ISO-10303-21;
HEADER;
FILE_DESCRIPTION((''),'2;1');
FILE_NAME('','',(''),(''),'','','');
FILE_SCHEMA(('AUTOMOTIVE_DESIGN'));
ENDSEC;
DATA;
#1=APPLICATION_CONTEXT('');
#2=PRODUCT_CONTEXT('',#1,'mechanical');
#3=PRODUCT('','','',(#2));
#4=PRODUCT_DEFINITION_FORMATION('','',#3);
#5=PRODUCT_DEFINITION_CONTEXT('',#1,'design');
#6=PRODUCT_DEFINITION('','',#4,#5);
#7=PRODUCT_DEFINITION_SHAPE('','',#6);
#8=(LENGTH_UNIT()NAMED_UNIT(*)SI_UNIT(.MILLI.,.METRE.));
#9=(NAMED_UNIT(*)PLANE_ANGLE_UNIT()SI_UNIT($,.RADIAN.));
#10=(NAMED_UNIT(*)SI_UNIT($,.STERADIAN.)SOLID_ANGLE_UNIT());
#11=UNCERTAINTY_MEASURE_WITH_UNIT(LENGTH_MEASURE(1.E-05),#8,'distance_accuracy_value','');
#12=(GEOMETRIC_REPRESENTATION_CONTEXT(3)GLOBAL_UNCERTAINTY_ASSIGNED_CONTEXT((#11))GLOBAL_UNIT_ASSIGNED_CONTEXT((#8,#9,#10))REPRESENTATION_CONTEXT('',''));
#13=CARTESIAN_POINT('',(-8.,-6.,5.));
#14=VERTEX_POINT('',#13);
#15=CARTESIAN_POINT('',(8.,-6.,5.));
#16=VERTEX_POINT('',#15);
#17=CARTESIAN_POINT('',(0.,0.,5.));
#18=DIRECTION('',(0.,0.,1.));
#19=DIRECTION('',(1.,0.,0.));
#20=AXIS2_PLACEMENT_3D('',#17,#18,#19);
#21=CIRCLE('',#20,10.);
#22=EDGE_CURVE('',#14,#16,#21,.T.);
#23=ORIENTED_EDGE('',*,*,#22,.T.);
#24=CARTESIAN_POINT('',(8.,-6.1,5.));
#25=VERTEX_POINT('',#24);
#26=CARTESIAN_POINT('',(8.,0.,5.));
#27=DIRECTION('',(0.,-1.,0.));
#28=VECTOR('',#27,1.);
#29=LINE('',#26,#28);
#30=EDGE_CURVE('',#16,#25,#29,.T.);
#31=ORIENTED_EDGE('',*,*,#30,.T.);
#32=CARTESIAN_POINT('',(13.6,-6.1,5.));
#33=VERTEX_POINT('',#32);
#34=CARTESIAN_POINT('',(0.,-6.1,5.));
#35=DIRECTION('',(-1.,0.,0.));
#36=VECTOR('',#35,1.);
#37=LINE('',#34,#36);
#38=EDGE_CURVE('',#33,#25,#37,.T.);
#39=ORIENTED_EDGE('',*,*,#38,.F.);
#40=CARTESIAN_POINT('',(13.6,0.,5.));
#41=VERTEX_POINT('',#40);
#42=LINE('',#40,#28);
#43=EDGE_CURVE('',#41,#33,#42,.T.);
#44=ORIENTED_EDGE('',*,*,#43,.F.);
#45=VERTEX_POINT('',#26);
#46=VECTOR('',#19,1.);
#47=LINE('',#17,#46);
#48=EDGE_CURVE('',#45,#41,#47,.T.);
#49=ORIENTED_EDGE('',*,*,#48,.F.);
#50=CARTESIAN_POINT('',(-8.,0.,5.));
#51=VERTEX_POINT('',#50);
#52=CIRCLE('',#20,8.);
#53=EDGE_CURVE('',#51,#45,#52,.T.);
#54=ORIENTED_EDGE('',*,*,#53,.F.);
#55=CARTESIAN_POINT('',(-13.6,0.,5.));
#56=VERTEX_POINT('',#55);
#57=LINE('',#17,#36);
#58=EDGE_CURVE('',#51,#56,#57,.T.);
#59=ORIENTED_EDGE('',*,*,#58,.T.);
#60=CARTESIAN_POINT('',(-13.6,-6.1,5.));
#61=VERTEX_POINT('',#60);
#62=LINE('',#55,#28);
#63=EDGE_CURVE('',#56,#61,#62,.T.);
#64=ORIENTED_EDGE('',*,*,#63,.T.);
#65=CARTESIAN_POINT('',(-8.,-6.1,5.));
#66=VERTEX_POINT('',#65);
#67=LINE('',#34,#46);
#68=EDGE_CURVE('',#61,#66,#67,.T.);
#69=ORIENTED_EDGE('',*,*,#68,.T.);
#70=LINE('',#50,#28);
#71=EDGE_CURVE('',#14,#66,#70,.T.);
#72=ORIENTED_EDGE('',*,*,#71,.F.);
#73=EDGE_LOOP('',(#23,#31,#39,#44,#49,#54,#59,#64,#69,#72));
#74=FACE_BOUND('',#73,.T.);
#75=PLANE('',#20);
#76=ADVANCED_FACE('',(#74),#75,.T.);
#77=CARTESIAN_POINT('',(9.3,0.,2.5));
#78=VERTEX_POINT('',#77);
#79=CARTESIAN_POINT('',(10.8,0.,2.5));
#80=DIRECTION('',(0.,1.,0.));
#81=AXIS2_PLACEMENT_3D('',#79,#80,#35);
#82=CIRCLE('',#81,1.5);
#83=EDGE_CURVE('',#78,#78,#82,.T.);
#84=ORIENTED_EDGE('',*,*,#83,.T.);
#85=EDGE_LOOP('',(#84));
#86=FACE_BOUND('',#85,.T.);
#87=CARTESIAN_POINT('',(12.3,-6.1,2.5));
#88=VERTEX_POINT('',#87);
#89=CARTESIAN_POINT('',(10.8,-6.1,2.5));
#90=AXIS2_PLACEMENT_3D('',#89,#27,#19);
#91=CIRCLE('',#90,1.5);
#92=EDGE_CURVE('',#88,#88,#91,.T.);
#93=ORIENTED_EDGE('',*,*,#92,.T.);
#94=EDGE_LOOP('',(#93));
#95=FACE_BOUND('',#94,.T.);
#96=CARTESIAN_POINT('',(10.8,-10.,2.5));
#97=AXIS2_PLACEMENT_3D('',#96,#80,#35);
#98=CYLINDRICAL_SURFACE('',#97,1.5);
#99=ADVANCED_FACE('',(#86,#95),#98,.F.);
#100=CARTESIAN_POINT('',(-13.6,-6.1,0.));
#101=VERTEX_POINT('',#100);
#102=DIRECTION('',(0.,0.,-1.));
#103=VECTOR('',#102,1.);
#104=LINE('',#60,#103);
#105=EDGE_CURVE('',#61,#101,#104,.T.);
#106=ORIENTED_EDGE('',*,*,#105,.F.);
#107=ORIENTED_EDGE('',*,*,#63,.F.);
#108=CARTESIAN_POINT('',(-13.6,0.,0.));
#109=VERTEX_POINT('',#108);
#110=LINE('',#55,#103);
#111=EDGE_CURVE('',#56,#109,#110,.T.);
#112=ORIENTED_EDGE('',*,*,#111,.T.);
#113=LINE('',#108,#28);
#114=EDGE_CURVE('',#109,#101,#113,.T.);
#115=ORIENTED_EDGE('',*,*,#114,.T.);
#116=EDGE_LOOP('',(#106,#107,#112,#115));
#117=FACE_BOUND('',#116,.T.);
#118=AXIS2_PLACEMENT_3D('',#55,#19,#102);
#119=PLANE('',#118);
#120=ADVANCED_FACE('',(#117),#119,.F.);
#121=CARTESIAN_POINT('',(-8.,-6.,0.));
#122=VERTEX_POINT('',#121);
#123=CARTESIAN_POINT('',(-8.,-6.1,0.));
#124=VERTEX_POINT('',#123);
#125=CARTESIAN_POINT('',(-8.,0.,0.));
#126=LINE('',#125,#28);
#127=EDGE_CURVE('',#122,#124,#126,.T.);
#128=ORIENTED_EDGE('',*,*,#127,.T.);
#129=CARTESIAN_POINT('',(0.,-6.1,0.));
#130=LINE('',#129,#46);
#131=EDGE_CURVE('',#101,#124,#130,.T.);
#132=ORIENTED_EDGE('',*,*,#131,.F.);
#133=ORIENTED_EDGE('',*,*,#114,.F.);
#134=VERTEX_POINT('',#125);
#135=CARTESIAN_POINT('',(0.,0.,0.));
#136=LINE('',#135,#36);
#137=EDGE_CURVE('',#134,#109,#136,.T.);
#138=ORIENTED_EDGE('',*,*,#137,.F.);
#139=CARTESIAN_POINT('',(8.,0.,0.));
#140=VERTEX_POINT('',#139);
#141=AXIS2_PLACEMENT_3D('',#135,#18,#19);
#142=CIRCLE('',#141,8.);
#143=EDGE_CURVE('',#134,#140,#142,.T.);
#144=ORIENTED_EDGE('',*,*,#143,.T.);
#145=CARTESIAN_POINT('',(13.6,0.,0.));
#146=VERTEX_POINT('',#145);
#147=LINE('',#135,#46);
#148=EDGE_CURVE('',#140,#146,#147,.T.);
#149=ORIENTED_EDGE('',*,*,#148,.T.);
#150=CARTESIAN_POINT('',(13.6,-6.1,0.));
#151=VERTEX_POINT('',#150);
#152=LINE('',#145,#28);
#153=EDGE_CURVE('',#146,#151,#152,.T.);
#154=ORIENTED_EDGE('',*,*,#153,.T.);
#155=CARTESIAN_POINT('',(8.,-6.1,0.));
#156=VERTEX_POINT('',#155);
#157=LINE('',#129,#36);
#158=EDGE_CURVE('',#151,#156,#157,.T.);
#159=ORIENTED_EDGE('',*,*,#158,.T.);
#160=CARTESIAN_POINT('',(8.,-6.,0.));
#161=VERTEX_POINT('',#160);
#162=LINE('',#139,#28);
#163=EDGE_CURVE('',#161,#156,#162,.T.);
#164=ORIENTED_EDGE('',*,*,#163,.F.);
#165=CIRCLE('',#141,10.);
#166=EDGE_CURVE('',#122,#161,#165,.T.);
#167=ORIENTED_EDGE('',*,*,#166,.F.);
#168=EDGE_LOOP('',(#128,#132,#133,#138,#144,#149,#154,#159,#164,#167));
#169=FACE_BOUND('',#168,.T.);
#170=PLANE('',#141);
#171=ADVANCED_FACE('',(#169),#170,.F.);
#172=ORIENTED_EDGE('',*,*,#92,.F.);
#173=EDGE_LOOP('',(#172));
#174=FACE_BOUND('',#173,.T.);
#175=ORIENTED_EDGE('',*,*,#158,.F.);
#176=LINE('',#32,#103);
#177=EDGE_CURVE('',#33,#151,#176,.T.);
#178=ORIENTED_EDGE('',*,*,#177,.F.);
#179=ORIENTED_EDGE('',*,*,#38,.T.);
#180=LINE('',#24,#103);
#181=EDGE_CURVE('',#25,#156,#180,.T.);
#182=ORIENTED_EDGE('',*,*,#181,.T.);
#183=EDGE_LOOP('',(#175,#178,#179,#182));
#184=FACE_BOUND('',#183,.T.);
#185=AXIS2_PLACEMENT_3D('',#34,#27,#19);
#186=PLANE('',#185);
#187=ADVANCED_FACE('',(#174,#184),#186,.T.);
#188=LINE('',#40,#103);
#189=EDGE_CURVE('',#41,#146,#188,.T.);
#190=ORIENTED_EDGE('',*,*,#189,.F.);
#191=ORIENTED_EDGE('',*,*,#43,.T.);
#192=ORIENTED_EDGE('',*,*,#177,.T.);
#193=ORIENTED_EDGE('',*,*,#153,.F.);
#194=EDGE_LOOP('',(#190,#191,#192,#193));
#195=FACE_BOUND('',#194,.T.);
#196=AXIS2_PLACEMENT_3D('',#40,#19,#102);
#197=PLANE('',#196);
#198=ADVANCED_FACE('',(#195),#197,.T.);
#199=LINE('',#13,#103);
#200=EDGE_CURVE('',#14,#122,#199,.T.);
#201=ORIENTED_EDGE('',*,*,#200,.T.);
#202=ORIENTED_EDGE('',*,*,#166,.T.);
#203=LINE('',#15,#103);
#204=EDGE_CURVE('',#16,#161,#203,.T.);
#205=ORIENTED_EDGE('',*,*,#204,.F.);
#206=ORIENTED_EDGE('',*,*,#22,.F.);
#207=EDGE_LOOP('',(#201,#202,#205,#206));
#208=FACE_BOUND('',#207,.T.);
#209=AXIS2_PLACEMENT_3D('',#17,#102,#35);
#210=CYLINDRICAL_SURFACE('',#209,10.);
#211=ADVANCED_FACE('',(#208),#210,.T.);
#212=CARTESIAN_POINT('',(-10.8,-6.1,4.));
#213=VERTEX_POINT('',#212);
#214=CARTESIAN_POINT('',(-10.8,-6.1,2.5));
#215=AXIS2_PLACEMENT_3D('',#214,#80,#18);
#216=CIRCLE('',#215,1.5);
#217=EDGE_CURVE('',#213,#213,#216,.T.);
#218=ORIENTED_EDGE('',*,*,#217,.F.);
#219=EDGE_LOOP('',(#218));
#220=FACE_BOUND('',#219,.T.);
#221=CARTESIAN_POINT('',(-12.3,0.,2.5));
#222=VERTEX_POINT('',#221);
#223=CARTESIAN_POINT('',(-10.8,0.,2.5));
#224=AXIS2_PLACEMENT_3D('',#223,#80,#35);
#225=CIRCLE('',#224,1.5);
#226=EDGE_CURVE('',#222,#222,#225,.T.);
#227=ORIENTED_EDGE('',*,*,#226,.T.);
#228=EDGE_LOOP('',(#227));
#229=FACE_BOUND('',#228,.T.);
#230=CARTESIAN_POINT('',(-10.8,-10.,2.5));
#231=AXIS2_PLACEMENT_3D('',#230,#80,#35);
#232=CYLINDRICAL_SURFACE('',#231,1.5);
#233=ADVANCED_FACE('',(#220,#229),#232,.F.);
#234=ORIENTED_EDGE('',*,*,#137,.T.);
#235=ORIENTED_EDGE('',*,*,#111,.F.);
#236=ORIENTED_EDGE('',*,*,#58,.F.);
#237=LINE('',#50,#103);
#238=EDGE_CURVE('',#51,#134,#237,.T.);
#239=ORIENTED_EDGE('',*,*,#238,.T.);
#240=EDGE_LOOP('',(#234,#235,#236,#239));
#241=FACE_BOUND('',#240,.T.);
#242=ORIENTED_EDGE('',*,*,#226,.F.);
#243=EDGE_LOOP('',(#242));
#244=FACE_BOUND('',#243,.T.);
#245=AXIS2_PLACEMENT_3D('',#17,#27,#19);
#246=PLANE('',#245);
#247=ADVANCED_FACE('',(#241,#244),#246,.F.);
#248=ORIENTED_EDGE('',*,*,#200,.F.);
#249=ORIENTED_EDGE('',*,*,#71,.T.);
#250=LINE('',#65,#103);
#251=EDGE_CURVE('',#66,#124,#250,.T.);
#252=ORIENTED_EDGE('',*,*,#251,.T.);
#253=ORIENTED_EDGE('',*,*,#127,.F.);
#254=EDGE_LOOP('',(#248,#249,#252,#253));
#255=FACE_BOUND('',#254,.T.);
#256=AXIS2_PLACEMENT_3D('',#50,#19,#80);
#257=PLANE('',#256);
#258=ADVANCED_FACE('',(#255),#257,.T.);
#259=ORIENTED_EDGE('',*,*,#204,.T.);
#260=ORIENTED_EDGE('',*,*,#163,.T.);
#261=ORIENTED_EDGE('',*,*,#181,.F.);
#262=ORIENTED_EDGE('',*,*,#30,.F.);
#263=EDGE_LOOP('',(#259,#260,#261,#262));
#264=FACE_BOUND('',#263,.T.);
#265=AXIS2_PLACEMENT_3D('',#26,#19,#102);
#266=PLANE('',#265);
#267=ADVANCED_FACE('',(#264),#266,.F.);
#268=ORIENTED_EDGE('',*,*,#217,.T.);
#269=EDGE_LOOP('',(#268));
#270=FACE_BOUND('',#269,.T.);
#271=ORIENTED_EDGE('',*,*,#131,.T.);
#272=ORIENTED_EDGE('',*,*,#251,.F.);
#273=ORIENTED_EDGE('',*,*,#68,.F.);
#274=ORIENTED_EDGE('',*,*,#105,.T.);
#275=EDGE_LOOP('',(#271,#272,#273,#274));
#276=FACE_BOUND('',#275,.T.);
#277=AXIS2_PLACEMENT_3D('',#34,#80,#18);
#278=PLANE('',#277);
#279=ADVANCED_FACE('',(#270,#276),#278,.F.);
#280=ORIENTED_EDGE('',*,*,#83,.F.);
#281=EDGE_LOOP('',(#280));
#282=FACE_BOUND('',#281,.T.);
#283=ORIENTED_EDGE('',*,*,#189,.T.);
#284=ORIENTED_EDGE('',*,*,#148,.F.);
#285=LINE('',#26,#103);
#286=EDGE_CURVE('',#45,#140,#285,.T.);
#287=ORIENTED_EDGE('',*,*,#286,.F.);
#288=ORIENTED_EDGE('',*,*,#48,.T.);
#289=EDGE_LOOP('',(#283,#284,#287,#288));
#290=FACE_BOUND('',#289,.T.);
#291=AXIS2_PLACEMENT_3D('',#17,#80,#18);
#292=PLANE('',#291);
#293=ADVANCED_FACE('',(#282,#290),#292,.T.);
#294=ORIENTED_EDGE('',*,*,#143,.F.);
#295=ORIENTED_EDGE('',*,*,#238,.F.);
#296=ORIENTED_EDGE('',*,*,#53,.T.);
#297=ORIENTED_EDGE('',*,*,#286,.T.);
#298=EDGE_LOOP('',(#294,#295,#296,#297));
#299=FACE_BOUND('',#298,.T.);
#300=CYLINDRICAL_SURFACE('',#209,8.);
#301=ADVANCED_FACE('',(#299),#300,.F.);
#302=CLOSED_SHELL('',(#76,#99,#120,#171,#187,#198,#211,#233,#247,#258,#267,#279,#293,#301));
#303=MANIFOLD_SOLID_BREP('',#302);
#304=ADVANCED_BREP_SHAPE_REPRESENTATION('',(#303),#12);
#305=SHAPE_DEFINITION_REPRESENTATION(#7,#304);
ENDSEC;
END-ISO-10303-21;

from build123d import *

# Parameters (mm, degrees)
BOSS_EXTRUDE1_DEPTH = 5
SKETCH3_R           = 1.5
CUT_EXTRUDE1_DEPTH  = 10


with BuildPart() as part:
    # Sketch2 → Boss-Extrude1 (new body)
    with BuildSketch(Plane.XY):
        with BuildLine():
            ThreePointArc((-8, -6), (0, -10), (8, -6))
            Line((8, -6), (8, -6.1))
            Line((8, -6.1), (13.6, -6.1))
            Line((13.6, -6.1), (13.6, 0))
            Line((13.6, 0), (8, 0))
            ThreePointArc((8, 0), (0, -8), (-8, 0))
            Line((-8, 0), (-13.6, 0))
            Line((-13.6, 0), (-13.6, -6.1))
            Line((-13.6, -6.1), (-8, -6.1))
            Line((-8, -6.1), (-8, -6))
        make_face()
    extrude(amount=BOSS_EXTRUDE1_DEPTH)

    # Sketch3 → Cut-Extrude1 (cut)
    with BuildSketch(Plane(origin=(0, 0, 0), x_dir=(1, 0, 0), z_dir=(0, 1, 0))):
        with Locations((-10.8, -2.5)):
            Circle(SKETCH3_R)
        with Locations((10.8, -2.5)):
            Circle(SKETCH3_R)
    extrude(amount=-CUT_EXTRUDE1_DEPTH, mode=Mode.SUBTRACT)


solid = part.part
